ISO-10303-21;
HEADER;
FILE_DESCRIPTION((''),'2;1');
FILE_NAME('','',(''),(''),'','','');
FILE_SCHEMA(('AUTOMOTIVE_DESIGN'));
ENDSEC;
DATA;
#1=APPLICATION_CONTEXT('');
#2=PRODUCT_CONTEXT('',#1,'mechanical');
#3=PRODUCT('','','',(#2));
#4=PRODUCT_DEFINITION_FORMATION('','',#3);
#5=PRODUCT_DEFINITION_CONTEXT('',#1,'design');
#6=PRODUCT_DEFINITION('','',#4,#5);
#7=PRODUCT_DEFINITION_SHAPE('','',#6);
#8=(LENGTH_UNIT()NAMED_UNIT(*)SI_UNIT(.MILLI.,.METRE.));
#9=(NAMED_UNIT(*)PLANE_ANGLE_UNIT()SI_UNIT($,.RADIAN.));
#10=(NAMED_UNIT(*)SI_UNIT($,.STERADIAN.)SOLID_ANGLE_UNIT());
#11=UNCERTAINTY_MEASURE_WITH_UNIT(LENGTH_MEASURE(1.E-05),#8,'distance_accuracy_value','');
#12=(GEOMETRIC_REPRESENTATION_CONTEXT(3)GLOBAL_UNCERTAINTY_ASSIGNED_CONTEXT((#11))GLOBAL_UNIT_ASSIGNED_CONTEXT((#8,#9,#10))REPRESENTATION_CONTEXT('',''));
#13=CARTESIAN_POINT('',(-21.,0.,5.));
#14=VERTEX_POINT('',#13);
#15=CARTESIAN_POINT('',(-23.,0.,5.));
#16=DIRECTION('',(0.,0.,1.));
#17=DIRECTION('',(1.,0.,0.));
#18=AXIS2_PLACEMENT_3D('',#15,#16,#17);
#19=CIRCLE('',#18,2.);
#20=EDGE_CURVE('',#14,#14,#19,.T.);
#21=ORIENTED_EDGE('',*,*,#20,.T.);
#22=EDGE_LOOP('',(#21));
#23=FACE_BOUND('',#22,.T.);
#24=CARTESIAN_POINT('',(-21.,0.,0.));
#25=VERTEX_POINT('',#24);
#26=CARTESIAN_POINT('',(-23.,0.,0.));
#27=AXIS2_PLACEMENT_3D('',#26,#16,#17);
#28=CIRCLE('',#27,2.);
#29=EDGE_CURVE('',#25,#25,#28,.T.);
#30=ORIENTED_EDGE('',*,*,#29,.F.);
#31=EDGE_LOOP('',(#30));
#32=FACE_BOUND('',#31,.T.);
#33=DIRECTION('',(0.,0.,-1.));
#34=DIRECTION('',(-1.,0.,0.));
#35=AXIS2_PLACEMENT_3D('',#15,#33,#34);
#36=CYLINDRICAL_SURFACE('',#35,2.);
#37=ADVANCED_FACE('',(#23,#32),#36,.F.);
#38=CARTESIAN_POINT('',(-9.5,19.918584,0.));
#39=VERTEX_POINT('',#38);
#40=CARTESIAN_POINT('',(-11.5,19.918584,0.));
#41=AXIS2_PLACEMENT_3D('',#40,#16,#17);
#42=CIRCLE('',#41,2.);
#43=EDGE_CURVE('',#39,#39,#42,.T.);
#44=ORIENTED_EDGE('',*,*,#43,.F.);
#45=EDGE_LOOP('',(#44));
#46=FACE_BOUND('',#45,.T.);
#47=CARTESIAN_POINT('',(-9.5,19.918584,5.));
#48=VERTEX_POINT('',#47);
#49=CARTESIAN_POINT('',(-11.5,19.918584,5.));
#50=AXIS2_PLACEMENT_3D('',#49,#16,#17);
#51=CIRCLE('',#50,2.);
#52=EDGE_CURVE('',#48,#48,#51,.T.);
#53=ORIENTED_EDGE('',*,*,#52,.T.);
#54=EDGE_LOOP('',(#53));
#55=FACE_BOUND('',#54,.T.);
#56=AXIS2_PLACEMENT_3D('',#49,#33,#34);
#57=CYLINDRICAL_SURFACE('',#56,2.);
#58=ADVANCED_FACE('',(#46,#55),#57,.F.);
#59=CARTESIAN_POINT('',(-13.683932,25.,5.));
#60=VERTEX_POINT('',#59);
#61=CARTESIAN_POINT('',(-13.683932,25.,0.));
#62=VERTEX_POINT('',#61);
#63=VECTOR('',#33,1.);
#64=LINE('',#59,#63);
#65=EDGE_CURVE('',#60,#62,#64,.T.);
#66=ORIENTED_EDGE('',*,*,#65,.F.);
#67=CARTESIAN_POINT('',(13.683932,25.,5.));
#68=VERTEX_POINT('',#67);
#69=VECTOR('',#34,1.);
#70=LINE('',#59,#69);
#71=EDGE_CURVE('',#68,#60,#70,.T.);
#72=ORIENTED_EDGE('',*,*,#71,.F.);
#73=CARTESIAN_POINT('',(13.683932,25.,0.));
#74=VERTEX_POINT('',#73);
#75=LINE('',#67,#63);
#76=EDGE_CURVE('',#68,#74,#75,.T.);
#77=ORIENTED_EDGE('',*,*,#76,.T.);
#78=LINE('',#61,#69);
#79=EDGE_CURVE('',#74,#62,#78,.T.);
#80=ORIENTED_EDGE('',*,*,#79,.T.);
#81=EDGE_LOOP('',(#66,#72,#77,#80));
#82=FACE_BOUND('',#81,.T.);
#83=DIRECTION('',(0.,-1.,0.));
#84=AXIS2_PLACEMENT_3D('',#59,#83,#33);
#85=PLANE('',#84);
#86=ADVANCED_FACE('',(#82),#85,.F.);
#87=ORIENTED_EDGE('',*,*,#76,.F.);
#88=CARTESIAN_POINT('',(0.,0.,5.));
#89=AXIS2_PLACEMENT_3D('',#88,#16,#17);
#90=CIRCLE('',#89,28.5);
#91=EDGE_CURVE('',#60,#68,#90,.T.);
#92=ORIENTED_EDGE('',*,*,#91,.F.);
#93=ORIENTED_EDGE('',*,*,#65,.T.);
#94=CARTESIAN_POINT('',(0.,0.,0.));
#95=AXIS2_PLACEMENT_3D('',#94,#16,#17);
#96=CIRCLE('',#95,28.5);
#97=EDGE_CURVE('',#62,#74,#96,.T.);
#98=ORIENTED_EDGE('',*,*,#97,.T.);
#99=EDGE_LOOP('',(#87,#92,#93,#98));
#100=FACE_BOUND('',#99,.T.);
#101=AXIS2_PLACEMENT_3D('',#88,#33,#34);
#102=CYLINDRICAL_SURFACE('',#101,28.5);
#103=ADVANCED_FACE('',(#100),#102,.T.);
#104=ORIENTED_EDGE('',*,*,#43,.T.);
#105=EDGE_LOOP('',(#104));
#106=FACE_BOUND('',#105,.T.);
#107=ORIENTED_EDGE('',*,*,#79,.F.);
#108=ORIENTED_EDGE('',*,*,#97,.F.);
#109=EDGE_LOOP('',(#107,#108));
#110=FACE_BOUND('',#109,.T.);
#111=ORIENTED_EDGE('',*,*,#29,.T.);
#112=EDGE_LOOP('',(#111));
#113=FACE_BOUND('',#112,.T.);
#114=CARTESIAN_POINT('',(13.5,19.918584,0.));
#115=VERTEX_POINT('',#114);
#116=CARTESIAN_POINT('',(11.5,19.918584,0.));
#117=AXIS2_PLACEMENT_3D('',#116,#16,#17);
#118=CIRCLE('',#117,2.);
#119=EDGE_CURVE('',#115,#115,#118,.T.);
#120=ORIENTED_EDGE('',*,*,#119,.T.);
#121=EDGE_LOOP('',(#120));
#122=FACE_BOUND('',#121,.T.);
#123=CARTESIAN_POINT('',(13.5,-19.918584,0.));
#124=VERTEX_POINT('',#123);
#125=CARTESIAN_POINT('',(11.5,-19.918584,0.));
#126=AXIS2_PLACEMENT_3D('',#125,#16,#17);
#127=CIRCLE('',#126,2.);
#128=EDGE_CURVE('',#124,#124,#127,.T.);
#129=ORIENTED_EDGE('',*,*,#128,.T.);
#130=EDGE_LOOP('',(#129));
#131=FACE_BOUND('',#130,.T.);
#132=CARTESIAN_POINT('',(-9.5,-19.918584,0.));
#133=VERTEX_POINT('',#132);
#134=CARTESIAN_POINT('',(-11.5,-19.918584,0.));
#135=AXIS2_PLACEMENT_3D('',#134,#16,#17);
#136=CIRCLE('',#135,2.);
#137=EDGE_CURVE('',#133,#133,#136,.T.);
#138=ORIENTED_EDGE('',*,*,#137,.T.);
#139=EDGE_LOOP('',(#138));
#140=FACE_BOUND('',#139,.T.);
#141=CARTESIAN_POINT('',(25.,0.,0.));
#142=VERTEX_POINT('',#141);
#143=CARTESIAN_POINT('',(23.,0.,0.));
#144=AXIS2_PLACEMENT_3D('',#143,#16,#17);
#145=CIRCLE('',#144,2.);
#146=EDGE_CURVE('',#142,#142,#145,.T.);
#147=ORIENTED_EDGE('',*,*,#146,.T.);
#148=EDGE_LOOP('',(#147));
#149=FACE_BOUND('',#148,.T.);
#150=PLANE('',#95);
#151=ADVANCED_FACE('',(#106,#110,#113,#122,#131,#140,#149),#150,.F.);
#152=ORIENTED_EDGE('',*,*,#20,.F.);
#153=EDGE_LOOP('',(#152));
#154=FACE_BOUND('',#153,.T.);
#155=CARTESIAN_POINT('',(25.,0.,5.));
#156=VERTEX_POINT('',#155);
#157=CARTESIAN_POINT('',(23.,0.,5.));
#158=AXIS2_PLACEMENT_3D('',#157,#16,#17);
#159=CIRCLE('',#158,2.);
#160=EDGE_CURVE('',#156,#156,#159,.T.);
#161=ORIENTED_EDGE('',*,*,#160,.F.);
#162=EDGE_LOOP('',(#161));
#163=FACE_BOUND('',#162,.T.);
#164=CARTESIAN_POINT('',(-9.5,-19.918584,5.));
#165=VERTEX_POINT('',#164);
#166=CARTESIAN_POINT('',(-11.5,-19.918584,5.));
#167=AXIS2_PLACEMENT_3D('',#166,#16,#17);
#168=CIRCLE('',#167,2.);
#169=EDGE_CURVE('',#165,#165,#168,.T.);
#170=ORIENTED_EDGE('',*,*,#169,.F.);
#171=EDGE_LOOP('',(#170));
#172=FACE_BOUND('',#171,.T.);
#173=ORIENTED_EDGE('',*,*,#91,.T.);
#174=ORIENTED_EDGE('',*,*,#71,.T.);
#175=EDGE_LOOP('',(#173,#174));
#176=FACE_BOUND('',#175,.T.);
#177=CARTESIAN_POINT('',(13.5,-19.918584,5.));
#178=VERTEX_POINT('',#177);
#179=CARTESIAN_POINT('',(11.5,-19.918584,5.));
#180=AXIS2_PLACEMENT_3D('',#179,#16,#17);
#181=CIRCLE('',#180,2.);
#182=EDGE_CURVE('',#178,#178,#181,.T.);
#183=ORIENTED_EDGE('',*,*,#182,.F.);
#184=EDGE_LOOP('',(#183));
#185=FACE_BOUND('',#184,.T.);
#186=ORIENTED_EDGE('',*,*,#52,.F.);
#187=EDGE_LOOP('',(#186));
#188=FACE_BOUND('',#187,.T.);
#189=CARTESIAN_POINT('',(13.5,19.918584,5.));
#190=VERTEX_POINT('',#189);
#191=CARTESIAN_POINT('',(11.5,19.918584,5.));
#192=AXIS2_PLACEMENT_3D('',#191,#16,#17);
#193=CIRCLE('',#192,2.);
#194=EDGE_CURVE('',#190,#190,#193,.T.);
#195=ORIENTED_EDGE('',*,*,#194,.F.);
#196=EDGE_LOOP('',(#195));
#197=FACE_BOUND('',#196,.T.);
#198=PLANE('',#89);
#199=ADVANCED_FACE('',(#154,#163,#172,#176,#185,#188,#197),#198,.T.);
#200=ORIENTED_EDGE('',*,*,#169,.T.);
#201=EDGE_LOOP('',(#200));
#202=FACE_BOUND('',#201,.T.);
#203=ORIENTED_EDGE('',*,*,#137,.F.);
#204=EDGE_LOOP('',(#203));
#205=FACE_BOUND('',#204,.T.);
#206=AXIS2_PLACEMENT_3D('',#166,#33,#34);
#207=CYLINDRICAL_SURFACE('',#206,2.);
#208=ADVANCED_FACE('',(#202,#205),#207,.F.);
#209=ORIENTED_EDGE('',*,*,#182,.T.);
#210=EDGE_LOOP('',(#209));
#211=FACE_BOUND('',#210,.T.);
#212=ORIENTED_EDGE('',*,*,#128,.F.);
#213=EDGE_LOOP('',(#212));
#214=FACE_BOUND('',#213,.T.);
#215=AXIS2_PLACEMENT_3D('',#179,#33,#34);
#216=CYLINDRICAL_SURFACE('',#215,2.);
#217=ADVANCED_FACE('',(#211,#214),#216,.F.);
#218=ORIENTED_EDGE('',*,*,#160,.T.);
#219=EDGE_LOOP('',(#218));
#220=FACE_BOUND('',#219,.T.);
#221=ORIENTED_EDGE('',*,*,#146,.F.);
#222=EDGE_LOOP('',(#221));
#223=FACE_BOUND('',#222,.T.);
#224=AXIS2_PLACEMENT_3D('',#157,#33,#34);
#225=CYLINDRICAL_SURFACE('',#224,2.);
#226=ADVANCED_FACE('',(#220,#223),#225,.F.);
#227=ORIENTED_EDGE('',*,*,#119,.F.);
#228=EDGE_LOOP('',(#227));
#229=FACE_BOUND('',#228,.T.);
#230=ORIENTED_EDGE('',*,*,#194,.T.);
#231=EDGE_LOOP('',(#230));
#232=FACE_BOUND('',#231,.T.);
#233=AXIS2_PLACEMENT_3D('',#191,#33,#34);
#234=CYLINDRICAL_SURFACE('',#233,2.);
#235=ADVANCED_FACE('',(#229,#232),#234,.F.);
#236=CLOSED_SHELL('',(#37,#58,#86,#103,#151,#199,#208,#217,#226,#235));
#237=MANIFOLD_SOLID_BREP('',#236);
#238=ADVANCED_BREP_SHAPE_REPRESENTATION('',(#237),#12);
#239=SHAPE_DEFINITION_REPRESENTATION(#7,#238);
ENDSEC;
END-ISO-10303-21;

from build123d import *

# Parameters (mm, degrees)
SKETCH_1_R      = 2
EXTRUDE_1_DEPTH = 5


with BuildPart() as part:
    # 草图1 → 凸台-拉伸1 (new body)
    with BuildSketch(Plane.XY):
        with BuildLine():
            Line((-13.683932183, 25), (13.683932183, 25))
            ThreePointArc((13.683932183, 25), (0, -28.5), (-13.683932183, 25))
        make_face()
        with Locations((23, 0)):
            Circle(SKETCH_1_R, mode=Mode.SUBTRACT)
        with Locations((11.5, -19.918584287)):
            Circle(SKETCH_1_R, mode=Mode.SUBTRACT)
        with Locations((-11.5, -19.918584287)):
            Circle(SKETCH_1_R, mode=Mode.SUBTRACT)
        with Locations((-23, 0)):
            Circle(SKETCH_1_R, mode=Mode.SUBTRACT)
        with Locations((-11.5, 19.918584287)):
            Circle(SKETCH_1_R, mode=Mode.SUBTRACT)
        with Locations((11.5, 19.918584287)):
            Circle(SKETCH_1_R, mode=Mode.SUBTRACT)
    extrude(amount=EXTRUDE_1_DEPTH)


solid = part.part
